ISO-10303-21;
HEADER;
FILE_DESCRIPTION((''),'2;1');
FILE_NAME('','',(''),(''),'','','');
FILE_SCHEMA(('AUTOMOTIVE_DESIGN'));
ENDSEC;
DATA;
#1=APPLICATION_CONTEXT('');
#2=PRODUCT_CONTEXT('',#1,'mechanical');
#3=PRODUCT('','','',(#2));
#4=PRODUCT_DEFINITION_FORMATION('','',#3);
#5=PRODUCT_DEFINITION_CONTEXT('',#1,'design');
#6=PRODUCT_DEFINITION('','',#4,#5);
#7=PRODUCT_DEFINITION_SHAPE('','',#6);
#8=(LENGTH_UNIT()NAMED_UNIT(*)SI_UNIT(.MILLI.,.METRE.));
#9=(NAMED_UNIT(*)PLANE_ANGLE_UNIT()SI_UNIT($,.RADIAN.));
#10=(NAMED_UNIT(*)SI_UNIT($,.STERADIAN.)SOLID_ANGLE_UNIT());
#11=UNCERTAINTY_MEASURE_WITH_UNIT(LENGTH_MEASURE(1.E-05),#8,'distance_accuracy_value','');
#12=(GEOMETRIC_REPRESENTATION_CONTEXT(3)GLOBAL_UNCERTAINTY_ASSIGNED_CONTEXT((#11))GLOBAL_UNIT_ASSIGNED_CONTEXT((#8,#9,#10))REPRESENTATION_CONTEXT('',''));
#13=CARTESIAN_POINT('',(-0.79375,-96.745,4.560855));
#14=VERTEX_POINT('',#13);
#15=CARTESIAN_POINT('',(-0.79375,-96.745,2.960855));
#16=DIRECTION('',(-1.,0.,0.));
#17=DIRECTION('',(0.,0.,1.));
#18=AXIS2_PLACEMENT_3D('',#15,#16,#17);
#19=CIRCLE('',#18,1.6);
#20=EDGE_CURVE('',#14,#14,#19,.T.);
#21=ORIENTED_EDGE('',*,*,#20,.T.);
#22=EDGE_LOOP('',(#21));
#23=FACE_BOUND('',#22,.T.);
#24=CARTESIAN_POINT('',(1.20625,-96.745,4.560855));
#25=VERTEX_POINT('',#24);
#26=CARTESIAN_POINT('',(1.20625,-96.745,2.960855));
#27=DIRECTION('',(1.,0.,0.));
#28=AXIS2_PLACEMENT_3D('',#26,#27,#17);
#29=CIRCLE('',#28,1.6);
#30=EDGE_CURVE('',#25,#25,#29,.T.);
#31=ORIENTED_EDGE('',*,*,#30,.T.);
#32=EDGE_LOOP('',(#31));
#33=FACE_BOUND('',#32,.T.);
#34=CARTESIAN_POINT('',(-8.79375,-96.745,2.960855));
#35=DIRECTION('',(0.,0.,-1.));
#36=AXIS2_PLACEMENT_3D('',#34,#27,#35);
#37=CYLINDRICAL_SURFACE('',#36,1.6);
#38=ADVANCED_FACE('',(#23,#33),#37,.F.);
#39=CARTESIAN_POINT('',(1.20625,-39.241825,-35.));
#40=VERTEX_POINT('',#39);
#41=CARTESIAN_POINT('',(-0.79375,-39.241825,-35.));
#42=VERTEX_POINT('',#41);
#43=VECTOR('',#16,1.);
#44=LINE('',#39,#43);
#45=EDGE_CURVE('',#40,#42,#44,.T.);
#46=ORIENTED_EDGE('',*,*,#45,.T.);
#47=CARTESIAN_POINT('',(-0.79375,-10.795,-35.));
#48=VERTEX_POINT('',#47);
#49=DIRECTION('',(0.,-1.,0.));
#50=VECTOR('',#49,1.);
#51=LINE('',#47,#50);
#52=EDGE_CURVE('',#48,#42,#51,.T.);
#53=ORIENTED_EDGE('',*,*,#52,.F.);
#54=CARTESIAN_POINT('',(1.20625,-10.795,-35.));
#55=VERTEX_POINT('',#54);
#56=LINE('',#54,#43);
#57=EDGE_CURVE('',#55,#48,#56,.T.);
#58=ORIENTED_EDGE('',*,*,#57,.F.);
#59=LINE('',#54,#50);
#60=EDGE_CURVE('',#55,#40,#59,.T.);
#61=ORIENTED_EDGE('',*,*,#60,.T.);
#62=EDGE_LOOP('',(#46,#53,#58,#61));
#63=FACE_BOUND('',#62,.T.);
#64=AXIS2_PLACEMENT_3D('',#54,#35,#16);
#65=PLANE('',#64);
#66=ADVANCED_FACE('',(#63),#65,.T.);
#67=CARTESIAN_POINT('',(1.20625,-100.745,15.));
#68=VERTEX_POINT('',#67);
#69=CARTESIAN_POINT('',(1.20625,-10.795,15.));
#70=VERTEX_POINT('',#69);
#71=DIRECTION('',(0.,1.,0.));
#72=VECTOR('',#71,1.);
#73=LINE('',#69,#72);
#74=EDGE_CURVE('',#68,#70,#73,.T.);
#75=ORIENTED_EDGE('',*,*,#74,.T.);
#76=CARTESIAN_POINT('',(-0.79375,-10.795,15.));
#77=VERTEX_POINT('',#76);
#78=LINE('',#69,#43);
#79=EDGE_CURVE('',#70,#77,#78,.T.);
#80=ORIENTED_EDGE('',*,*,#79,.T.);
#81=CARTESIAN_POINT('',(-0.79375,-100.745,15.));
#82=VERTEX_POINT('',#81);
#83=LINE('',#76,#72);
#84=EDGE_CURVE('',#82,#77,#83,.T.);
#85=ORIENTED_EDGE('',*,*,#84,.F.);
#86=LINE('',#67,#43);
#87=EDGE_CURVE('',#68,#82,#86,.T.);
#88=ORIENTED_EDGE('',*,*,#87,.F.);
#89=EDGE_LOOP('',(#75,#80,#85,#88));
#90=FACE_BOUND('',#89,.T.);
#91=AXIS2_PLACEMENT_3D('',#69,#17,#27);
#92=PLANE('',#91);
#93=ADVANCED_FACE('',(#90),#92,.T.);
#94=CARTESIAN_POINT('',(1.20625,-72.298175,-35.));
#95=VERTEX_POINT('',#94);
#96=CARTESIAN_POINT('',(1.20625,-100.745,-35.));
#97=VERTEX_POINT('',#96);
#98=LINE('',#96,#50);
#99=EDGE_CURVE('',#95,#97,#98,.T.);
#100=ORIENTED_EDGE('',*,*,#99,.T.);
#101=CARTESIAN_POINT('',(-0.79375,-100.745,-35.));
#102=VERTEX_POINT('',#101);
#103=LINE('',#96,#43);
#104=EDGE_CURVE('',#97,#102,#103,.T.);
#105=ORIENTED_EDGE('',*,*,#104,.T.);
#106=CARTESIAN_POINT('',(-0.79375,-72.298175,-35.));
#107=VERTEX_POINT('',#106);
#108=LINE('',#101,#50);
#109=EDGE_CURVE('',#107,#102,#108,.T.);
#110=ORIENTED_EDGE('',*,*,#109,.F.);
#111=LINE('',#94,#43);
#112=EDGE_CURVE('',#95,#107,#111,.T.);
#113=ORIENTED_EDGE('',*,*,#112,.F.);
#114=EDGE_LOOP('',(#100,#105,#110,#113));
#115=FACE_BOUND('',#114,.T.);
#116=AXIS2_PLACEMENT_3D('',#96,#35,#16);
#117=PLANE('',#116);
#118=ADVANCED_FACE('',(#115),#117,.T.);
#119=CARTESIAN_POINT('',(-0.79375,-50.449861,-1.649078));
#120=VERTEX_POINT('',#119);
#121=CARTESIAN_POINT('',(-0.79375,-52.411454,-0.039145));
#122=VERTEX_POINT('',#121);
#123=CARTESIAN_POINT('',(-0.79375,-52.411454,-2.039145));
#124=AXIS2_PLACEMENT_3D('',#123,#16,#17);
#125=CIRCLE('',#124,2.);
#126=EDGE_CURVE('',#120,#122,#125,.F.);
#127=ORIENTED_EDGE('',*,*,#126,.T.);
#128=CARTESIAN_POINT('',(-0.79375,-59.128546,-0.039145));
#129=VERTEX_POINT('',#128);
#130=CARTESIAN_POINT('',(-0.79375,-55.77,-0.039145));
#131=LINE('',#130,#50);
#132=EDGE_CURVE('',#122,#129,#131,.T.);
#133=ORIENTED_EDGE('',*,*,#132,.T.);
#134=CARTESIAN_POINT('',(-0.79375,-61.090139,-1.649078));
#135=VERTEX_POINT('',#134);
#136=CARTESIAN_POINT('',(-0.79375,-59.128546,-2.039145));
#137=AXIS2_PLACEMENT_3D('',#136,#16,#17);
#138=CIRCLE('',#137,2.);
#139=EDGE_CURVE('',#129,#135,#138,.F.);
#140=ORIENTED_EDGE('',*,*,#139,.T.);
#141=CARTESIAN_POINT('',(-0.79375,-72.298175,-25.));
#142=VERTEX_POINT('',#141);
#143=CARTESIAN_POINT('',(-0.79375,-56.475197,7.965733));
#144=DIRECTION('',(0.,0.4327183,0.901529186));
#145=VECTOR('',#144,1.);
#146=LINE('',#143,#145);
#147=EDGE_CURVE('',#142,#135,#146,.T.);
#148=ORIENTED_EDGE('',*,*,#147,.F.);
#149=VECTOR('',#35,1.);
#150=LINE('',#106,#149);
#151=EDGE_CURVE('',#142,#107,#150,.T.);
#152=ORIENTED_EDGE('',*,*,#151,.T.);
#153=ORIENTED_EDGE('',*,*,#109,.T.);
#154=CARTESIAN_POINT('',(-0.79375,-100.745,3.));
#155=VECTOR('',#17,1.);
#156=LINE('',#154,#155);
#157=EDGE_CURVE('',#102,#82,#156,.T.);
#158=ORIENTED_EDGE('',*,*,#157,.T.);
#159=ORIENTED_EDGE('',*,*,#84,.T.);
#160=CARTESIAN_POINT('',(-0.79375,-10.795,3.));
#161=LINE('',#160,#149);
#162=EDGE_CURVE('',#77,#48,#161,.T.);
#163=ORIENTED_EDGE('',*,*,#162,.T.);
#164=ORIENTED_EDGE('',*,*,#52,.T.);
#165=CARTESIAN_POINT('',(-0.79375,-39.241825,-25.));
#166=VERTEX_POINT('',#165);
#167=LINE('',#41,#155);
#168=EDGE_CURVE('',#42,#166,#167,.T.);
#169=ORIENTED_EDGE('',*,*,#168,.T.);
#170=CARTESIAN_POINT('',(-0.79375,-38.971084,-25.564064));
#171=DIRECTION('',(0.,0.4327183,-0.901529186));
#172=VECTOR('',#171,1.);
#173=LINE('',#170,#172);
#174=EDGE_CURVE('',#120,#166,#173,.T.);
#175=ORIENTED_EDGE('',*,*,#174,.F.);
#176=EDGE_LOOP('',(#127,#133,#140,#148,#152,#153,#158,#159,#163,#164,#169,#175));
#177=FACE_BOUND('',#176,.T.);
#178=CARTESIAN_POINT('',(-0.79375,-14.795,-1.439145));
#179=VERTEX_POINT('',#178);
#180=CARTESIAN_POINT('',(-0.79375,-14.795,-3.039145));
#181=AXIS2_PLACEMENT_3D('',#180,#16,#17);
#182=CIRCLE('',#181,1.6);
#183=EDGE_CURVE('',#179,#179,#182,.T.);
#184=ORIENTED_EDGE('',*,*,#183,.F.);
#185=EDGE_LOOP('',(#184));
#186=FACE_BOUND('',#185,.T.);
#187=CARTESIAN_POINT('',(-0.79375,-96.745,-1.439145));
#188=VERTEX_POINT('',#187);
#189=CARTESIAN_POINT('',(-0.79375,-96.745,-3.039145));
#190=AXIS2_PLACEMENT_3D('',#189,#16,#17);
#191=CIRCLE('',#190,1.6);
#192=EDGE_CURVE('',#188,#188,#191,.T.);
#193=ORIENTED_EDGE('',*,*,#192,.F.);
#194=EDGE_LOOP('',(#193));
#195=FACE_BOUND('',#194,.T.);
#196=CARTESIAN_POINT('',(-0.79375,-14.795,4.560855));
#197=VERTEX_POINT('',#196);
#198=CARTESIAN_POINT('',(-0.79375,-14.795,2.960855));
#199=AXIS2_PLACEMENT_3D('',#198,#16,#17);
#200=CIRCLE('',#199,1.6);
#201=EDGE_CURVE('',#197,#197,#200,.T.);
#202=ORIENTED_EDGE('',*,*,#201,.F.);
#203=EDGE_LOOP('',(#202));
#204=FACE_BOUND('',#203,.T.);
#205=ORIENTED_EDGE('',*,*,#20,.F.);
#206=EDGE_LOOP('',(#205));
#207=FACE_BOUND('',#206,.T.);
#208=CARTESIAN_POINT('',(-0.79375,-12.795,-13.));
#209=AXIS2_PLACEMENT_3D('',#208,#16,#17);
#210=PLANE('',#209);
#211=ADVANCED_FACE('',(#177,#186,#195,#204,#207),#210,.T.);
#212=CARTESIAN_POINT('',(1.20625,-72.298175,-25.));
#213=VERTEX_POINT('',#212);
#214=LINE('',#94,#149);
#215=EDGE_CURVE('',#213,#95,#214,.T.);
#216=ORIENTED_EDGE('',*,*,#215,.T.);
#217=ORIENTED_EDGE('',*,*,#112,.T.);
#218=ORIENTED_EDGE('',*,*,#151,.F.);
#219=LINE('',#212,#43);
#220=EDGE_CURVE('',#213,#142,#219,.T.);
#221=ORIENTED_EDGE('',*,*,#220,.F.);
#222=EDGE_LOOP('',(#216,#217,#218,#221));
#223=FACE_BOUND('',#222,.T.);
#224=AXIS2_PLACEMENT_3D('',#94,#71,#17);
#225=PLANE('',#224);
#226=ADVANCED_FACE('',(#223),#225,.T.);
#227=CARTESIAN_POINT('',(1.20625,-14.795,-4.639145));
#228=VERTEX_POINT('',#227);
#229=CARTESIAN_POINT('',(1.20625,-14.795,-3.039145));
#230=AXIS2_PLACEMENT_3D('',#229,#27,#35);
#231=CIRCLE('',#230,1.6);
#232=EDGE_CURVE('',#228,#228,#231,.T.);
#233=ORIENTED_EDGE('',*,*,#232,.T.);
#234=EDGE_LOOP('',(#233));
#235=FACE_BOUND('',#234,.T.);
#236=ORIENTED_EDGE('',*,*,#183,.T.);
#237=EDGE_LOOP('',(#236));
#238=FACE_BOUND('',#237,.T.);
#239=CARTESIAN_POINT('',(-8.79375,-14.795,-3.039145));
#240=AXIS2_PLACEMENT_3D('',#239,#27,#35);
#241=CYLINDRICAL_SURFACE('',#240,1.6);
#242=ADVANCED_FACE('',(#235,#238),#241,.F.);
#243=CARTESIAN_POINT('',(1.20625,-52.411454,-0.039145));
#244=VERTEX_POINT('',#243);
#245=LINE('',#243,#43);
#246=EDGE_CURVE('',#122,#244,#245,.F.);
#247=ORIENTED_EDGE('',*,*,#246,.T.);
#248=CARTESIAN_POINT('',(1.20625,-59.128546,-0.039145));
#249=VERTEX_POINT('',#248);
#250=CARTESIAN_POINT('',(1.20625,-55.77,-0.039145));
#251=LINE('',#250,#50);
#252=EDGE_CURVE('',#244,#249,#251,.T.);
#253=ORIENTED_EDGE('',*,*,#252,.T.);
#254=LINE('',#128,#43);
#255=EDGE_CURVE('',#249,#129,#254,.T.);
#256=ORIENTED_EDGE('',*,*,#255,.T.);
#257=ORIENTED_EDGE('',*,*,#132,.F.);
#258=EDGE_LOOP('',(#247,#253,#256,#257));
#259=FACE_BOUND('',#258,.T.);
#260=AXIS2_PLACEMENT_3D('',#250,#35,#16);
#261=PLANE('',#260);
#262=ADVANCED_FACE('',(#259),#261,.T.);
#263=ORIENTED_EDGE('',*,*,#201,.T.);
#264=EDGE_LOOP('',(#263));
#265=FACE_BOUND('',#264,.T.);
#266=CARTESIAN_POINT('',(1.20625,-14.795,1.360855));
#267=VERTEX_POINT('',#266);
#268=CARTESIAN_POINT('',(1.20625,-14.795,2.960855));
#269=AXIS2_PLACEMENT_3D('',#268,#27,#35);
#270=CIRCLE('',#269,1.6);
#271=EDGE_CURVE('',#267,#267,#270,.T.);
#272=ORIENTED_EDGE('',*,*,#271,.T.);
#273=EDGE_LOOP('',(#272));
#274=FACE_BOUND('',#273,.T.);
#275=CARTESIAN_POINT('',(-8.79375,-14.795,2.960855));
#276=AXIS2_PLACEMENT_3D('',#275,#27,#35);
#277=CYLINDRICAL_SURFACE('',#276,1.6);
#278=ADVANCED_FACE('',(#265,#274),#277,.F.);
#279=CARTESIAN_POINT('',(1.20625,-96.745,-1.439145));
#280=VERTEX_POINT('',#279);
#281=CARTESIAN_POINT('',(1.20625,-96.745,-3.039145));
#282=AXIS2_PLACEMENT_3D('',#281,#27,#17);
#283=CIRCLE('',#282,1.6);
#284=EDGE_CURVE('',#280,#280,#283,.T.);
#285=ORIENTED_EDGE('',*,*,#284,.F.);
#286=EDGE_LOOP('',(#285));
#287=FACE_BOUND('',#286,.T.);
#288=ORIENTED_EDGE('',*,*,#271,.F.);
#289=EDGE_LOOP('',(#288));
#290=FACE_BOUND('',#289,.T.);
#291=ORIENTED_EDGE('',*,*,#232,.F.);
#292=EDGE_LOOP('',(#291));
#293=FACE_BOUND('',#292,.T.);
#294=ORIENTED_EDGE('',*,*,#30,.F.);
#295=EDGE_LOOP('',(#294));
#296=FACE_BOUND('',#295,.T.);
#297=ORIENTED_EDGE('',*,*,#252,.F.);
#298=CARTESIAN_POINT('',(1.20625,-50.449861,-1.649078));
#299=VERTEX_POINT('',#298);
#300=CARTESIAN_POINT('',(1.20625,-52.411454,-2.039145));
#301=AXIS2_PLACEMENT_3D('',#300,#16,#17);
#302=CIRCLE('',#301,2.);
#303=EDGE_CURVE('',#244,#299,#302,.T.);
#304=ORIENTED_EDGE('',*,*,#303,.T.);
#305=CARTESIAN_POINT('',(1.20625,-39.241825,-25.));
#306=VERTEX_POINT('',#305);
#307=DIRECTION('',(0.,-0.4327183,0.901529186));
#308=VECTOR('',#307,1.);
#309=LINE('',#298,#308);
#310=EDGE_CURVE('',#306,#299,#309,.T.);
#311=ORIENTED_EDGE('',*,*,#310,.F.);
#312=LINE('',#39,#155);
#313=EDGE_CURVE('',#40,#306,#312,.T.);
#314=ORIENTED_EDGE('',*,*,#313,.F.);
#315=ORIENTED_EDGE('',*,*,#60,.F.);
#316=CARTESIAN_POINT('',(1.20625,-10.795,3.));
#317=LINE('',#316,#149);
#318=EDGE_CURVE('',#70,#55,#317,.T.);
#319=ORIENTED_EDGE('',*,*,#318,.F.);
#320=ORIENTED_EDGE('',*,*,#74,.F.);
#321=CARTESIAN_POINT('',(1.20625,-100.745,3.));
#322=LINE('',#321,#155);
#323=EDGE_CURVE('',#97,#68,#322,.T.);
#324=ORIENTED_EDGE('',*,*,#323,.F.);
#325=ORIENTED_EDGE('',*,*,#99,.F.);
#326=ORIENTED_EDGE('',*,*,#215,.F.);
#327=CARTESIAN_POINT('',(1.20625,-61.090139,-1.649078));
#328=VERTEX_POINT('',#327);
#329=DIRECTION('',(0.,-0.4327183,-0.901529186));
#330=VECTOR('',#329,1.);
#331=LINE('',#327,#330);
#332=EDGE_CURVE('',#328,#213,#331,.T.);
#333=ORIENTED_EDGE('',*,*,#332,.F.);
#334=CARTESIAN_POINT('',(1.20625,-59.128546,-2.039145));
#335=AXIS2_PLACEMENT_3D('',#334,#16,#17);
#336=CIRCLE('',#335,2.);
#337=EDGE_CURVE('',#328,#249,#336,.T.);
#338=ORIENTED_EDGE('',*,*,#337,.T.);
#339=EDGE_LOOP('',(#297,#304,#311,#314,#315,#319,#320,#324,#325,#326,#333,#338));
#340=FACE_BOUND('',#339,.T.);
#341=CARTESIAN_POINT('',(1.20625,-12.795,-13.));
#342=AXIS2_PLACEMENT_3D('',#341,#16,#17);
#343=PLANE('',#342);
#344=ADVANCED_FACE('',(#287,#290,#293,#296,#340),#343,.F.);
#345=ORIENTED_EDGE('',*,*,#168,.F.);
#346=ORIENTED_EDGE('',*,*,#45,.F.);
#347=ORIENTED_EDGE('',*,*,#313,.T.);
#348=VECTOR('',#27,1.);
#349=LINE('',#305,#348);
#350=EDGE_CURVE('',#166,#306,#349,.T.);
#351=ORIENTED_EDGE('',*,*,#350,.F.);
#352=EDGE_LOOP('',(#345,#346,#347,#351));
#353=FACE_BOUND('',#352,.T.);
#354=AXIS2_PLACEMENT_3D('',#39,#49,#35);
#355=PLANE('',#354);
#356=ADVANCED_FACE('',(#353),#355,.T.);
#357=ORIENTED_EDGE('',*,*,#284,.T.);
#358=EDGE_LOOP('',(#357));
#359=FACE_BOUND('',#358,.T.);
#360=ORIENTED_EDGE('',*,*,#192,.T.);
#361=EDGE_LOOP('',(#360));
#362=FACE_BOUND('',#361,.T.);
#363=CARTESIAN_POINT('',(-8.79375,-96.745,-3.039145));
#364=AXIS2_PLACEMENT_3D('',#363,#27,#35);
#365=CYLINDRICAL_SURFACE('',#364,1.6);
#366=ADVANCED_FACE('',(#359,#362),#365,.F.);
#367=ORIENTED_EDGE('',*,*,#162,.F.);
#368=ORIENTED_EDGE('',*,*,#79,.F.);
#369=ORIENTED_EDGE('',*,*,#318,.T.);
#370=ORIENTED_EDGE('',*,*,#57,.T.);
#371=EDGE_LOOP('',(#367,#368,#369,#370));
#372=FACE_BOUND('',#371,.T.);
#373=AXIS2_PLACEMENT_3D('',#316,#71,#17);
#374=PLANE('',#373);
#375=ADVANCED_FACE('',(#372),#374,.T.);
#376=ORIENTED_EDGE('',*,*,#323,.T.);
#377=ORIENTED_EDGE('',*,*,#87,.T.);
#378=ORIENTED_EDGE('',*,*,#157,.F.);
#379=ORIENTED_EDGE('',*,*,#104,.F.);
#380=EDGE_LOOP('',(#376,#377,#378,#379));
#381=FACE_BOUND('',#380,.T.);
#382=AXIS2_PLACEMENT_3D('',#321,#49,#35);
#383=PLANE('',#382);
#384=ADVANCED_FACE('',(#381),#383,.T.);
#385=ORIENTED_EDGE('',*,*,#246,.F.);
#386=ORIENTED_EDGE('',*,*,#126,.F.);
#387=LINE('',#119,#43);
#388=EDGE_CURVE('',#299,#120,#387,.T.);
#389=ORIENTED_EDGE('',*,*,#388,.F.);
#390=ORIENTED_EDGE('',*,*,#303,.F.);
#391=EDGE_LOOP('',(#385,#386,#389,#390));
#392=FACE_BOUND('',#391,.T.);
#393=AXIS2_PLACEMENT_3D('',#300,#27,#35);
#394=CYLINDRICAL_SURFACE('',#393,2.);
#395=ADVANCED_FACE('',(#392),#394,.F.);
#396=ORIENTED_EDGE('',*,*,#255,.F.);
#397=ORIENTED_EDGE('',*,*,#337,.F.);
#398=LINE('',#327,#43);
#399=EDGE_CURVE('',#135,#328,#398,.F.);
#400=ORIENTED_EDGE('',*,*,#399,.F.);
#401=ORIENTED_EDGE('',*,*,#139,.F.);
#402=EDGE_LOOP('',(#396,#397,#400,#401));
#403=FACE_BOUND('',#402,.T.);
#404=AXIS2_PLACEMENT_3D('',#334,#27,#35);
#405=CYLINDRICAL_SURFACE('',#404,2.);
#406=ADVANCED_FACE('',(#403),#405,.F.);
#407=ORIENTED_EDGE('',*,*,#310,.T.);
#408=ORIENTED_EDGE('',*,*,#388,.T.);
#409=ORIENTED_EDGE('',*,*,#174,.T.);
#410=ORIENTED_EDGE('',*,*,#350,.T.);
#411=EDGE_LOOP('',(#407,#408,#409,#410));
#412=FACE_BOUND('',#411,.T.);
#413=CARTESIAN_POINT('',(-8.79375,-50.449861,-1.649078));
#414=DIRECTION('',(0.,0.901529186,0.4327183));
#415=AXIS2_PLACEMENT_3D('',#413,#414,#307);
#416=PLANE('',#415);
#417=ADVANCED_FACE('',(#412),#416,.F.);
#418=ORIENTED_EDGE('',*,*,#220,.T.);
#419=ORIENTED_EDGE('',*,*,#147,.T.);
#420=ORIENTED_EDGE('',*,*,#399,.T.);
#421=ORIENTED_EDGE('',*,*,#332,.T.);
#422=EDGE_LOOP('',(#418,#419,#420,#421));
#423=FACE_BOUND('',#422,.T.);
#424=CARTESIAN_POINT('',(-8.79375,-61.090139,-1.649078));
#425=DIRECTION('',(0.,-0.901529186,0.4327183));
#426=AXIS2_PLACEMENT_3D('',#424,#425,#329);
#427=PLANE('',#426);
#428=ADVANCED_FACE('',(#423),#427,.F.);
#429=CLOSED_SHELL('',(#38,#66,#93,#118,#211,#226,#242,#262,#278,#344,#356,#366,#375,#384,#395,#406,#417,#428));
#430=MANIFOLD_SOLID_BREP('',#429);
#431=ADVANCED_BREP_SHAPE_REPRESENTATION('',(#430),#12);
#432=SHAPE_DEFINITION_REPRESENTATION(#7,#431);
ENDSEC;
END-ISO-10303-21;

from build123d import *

# Parameters (mm, degrees)
EXTRUDE_1_DEPTH     = 2
FILLET_1_R          = 2
FILLET_2_R          = 2
FILLET_3_R          = 2
FILLET_4_R          = 2
SKETCH_2_W          = 12
SKETCH_2_H          = 89.95
EXTRUDE_2_DEPTH     = 2
CUT_EXTRUDE_1_DEPTH = 10
SKETCH_7_R          = 1.6
CUT_EXTRUDE_2_DEPTH = 10
SKETCH_8_W          = 10
SKETCH_8_H          = 28.446825321
EXTRUDE_3_DEPTH     = 2


with BuildPart() as part:
    # 草图1 → 凸台-拉伸1 (new body)
    with BuildSketch(Plane(origin=(-0.79375, 0, 0), x_dir=(0, -1, 0), z_dir=(-1, 0, 0))):
        with BuildLine():
            Line((38.795, 5), (12.795, 5))
            ThreePointArc((12.795, 5), (11.380786438, 4.414213562), (10.795, 3))
            Line((10.795, 3), (10.795, -13))
            ThreePointArc((10.795, -13), (11.380786438, -14.414213562), (12.795, -15))
            Line((12.795, -15), (47.795, -15))
            Line((47.795, -15), (50.77, -0.039144756))
            Line((50.77, -0.039144756), (55.77, -0.039144756))
            Line((55.77, -0.039144756), (60.77, -0.039144756))
            Line((60.77, -0.039144756), (63.745, -15))
            Line((63.745, -15), (98.745, -15))
            ThreePointArc((98.745, -15), (100.159213562, -14.414213562), (100.745, -13))
            Line((100.745, -13), (100.745, 3))
            ThreePointArc((100.745, 3), (100.159213562, 4.414213562), (98.745, 5))
            Line((98.745, 5), (72.745, 5))
            Line((72.745, 5), (38.795, 5))
        make_face()
    extrude(amount=-EXTRUDE_1_DEPTH)

    # 圆角1
    fillet_1_edges = [part.edges().sort_by_distance(p)[0] for p in [
        (0.20625, -50.77, -0.039144756),
    ]]
    fillet(fillet_1_edges, radius=FILLET_1_R)

    # 圆角2
    fillet_2_edges = [part.edges().sort_by_distance(p)[0] for p in [
        (0.20625, -47.795, -15),
    ]]
    fillet(fillet_2_edges, radius=FILLET_2_R)

    # 圆角3
    fillet_3_edges = [part.edges().sort_by_distance(p)[0] for p in [
        (0.20625, -60.77, -0.039144756),
    ]]
    fillet(fillet_3_edges, radius=FILLET_3_R)

    # 圆角4
    fillet_4_edges = [part.edges().sort_by_distance(p)[0] for p in [
        (0.20625, -63.745, -15),
    ]]
    fillet(fillet_4_edges, radius=FILLET_4_R)

    # 草图2 → 凸台-拉伸2 (add)
    with BuildSketch(Plane.ZY.offset(0.79375)):
        with Locations((9, -55.77)):
            Rectangle(SKETCH_2_W, SKETCH_2_H)
        Polygon((-25, -10.795), (-25, -45.806477318), (-13.39006724, -48.115138781), (-13, -10.795), align=None)
        Polygon((-13.39006724, -63.424861219), (-25, -65.733522682), (-25, -100.745), (-13, -100.745), align=None)
    extrude(amount=-EXTRUDE_2_DEPTH)

    # 草图5 → 切除-拉伸1 (cut)
    with BuildSketch(Plane(origin=(1.20625, 0, 0), x_dir=(0, 0, -1), z_dir=(1, 0, 0))):
        Polygon((1.649077515, -50.449861219), (25, -45.806477318), (25, -39.241825321), align=None)
        Polygon((25, -72.298174679), (25, -65.733522682), (1.649077515, -61.090138781), align=None)
    extrude(amount=-CUT_EXTRUDE_1_DEPTH, mode=Mode.SUBTRACT)

    # 草图7 → 切除-拉伸2 (cut)
    with BuildSketch(Plane(origin=(1.20625, 0, 0), x_dir=(0, 0, -1), z_dir=(1, 0, 0))):
        with Locations((-2.960855244, -14.795)):
            Circle(SKETCH_7_R)
        with Locations((3.039144756, -14.795)):
            Circle(SKETCH_7_R)
        with Locations((3.039144756, -96.745)):
            Circle(SKETCH_7_R)
        with Locations((-2.960855244, -96.745)):
            Circle(SKETCH_7_R)
    extrude(amount=-CUT_EXTRUDE_2_DEPTH, mode=Mode.SUBTRACT)

    # 草图8 → 凸台-拉伸3 (add)
    with BuildSketch(Plane.ZY.offset(0.79375)):
        with Locations((-30, -25.018412661)):
            Rectangle(SKETCH_8_W, SKETCH_8_H)
        with Locations((-30, -86.52158734)):
            Rectangle(SKETCH_8_W, SKETCH_8_H)
    extrude(amount=-EXTRUDE_3_DEPTH)


solid = part.part
